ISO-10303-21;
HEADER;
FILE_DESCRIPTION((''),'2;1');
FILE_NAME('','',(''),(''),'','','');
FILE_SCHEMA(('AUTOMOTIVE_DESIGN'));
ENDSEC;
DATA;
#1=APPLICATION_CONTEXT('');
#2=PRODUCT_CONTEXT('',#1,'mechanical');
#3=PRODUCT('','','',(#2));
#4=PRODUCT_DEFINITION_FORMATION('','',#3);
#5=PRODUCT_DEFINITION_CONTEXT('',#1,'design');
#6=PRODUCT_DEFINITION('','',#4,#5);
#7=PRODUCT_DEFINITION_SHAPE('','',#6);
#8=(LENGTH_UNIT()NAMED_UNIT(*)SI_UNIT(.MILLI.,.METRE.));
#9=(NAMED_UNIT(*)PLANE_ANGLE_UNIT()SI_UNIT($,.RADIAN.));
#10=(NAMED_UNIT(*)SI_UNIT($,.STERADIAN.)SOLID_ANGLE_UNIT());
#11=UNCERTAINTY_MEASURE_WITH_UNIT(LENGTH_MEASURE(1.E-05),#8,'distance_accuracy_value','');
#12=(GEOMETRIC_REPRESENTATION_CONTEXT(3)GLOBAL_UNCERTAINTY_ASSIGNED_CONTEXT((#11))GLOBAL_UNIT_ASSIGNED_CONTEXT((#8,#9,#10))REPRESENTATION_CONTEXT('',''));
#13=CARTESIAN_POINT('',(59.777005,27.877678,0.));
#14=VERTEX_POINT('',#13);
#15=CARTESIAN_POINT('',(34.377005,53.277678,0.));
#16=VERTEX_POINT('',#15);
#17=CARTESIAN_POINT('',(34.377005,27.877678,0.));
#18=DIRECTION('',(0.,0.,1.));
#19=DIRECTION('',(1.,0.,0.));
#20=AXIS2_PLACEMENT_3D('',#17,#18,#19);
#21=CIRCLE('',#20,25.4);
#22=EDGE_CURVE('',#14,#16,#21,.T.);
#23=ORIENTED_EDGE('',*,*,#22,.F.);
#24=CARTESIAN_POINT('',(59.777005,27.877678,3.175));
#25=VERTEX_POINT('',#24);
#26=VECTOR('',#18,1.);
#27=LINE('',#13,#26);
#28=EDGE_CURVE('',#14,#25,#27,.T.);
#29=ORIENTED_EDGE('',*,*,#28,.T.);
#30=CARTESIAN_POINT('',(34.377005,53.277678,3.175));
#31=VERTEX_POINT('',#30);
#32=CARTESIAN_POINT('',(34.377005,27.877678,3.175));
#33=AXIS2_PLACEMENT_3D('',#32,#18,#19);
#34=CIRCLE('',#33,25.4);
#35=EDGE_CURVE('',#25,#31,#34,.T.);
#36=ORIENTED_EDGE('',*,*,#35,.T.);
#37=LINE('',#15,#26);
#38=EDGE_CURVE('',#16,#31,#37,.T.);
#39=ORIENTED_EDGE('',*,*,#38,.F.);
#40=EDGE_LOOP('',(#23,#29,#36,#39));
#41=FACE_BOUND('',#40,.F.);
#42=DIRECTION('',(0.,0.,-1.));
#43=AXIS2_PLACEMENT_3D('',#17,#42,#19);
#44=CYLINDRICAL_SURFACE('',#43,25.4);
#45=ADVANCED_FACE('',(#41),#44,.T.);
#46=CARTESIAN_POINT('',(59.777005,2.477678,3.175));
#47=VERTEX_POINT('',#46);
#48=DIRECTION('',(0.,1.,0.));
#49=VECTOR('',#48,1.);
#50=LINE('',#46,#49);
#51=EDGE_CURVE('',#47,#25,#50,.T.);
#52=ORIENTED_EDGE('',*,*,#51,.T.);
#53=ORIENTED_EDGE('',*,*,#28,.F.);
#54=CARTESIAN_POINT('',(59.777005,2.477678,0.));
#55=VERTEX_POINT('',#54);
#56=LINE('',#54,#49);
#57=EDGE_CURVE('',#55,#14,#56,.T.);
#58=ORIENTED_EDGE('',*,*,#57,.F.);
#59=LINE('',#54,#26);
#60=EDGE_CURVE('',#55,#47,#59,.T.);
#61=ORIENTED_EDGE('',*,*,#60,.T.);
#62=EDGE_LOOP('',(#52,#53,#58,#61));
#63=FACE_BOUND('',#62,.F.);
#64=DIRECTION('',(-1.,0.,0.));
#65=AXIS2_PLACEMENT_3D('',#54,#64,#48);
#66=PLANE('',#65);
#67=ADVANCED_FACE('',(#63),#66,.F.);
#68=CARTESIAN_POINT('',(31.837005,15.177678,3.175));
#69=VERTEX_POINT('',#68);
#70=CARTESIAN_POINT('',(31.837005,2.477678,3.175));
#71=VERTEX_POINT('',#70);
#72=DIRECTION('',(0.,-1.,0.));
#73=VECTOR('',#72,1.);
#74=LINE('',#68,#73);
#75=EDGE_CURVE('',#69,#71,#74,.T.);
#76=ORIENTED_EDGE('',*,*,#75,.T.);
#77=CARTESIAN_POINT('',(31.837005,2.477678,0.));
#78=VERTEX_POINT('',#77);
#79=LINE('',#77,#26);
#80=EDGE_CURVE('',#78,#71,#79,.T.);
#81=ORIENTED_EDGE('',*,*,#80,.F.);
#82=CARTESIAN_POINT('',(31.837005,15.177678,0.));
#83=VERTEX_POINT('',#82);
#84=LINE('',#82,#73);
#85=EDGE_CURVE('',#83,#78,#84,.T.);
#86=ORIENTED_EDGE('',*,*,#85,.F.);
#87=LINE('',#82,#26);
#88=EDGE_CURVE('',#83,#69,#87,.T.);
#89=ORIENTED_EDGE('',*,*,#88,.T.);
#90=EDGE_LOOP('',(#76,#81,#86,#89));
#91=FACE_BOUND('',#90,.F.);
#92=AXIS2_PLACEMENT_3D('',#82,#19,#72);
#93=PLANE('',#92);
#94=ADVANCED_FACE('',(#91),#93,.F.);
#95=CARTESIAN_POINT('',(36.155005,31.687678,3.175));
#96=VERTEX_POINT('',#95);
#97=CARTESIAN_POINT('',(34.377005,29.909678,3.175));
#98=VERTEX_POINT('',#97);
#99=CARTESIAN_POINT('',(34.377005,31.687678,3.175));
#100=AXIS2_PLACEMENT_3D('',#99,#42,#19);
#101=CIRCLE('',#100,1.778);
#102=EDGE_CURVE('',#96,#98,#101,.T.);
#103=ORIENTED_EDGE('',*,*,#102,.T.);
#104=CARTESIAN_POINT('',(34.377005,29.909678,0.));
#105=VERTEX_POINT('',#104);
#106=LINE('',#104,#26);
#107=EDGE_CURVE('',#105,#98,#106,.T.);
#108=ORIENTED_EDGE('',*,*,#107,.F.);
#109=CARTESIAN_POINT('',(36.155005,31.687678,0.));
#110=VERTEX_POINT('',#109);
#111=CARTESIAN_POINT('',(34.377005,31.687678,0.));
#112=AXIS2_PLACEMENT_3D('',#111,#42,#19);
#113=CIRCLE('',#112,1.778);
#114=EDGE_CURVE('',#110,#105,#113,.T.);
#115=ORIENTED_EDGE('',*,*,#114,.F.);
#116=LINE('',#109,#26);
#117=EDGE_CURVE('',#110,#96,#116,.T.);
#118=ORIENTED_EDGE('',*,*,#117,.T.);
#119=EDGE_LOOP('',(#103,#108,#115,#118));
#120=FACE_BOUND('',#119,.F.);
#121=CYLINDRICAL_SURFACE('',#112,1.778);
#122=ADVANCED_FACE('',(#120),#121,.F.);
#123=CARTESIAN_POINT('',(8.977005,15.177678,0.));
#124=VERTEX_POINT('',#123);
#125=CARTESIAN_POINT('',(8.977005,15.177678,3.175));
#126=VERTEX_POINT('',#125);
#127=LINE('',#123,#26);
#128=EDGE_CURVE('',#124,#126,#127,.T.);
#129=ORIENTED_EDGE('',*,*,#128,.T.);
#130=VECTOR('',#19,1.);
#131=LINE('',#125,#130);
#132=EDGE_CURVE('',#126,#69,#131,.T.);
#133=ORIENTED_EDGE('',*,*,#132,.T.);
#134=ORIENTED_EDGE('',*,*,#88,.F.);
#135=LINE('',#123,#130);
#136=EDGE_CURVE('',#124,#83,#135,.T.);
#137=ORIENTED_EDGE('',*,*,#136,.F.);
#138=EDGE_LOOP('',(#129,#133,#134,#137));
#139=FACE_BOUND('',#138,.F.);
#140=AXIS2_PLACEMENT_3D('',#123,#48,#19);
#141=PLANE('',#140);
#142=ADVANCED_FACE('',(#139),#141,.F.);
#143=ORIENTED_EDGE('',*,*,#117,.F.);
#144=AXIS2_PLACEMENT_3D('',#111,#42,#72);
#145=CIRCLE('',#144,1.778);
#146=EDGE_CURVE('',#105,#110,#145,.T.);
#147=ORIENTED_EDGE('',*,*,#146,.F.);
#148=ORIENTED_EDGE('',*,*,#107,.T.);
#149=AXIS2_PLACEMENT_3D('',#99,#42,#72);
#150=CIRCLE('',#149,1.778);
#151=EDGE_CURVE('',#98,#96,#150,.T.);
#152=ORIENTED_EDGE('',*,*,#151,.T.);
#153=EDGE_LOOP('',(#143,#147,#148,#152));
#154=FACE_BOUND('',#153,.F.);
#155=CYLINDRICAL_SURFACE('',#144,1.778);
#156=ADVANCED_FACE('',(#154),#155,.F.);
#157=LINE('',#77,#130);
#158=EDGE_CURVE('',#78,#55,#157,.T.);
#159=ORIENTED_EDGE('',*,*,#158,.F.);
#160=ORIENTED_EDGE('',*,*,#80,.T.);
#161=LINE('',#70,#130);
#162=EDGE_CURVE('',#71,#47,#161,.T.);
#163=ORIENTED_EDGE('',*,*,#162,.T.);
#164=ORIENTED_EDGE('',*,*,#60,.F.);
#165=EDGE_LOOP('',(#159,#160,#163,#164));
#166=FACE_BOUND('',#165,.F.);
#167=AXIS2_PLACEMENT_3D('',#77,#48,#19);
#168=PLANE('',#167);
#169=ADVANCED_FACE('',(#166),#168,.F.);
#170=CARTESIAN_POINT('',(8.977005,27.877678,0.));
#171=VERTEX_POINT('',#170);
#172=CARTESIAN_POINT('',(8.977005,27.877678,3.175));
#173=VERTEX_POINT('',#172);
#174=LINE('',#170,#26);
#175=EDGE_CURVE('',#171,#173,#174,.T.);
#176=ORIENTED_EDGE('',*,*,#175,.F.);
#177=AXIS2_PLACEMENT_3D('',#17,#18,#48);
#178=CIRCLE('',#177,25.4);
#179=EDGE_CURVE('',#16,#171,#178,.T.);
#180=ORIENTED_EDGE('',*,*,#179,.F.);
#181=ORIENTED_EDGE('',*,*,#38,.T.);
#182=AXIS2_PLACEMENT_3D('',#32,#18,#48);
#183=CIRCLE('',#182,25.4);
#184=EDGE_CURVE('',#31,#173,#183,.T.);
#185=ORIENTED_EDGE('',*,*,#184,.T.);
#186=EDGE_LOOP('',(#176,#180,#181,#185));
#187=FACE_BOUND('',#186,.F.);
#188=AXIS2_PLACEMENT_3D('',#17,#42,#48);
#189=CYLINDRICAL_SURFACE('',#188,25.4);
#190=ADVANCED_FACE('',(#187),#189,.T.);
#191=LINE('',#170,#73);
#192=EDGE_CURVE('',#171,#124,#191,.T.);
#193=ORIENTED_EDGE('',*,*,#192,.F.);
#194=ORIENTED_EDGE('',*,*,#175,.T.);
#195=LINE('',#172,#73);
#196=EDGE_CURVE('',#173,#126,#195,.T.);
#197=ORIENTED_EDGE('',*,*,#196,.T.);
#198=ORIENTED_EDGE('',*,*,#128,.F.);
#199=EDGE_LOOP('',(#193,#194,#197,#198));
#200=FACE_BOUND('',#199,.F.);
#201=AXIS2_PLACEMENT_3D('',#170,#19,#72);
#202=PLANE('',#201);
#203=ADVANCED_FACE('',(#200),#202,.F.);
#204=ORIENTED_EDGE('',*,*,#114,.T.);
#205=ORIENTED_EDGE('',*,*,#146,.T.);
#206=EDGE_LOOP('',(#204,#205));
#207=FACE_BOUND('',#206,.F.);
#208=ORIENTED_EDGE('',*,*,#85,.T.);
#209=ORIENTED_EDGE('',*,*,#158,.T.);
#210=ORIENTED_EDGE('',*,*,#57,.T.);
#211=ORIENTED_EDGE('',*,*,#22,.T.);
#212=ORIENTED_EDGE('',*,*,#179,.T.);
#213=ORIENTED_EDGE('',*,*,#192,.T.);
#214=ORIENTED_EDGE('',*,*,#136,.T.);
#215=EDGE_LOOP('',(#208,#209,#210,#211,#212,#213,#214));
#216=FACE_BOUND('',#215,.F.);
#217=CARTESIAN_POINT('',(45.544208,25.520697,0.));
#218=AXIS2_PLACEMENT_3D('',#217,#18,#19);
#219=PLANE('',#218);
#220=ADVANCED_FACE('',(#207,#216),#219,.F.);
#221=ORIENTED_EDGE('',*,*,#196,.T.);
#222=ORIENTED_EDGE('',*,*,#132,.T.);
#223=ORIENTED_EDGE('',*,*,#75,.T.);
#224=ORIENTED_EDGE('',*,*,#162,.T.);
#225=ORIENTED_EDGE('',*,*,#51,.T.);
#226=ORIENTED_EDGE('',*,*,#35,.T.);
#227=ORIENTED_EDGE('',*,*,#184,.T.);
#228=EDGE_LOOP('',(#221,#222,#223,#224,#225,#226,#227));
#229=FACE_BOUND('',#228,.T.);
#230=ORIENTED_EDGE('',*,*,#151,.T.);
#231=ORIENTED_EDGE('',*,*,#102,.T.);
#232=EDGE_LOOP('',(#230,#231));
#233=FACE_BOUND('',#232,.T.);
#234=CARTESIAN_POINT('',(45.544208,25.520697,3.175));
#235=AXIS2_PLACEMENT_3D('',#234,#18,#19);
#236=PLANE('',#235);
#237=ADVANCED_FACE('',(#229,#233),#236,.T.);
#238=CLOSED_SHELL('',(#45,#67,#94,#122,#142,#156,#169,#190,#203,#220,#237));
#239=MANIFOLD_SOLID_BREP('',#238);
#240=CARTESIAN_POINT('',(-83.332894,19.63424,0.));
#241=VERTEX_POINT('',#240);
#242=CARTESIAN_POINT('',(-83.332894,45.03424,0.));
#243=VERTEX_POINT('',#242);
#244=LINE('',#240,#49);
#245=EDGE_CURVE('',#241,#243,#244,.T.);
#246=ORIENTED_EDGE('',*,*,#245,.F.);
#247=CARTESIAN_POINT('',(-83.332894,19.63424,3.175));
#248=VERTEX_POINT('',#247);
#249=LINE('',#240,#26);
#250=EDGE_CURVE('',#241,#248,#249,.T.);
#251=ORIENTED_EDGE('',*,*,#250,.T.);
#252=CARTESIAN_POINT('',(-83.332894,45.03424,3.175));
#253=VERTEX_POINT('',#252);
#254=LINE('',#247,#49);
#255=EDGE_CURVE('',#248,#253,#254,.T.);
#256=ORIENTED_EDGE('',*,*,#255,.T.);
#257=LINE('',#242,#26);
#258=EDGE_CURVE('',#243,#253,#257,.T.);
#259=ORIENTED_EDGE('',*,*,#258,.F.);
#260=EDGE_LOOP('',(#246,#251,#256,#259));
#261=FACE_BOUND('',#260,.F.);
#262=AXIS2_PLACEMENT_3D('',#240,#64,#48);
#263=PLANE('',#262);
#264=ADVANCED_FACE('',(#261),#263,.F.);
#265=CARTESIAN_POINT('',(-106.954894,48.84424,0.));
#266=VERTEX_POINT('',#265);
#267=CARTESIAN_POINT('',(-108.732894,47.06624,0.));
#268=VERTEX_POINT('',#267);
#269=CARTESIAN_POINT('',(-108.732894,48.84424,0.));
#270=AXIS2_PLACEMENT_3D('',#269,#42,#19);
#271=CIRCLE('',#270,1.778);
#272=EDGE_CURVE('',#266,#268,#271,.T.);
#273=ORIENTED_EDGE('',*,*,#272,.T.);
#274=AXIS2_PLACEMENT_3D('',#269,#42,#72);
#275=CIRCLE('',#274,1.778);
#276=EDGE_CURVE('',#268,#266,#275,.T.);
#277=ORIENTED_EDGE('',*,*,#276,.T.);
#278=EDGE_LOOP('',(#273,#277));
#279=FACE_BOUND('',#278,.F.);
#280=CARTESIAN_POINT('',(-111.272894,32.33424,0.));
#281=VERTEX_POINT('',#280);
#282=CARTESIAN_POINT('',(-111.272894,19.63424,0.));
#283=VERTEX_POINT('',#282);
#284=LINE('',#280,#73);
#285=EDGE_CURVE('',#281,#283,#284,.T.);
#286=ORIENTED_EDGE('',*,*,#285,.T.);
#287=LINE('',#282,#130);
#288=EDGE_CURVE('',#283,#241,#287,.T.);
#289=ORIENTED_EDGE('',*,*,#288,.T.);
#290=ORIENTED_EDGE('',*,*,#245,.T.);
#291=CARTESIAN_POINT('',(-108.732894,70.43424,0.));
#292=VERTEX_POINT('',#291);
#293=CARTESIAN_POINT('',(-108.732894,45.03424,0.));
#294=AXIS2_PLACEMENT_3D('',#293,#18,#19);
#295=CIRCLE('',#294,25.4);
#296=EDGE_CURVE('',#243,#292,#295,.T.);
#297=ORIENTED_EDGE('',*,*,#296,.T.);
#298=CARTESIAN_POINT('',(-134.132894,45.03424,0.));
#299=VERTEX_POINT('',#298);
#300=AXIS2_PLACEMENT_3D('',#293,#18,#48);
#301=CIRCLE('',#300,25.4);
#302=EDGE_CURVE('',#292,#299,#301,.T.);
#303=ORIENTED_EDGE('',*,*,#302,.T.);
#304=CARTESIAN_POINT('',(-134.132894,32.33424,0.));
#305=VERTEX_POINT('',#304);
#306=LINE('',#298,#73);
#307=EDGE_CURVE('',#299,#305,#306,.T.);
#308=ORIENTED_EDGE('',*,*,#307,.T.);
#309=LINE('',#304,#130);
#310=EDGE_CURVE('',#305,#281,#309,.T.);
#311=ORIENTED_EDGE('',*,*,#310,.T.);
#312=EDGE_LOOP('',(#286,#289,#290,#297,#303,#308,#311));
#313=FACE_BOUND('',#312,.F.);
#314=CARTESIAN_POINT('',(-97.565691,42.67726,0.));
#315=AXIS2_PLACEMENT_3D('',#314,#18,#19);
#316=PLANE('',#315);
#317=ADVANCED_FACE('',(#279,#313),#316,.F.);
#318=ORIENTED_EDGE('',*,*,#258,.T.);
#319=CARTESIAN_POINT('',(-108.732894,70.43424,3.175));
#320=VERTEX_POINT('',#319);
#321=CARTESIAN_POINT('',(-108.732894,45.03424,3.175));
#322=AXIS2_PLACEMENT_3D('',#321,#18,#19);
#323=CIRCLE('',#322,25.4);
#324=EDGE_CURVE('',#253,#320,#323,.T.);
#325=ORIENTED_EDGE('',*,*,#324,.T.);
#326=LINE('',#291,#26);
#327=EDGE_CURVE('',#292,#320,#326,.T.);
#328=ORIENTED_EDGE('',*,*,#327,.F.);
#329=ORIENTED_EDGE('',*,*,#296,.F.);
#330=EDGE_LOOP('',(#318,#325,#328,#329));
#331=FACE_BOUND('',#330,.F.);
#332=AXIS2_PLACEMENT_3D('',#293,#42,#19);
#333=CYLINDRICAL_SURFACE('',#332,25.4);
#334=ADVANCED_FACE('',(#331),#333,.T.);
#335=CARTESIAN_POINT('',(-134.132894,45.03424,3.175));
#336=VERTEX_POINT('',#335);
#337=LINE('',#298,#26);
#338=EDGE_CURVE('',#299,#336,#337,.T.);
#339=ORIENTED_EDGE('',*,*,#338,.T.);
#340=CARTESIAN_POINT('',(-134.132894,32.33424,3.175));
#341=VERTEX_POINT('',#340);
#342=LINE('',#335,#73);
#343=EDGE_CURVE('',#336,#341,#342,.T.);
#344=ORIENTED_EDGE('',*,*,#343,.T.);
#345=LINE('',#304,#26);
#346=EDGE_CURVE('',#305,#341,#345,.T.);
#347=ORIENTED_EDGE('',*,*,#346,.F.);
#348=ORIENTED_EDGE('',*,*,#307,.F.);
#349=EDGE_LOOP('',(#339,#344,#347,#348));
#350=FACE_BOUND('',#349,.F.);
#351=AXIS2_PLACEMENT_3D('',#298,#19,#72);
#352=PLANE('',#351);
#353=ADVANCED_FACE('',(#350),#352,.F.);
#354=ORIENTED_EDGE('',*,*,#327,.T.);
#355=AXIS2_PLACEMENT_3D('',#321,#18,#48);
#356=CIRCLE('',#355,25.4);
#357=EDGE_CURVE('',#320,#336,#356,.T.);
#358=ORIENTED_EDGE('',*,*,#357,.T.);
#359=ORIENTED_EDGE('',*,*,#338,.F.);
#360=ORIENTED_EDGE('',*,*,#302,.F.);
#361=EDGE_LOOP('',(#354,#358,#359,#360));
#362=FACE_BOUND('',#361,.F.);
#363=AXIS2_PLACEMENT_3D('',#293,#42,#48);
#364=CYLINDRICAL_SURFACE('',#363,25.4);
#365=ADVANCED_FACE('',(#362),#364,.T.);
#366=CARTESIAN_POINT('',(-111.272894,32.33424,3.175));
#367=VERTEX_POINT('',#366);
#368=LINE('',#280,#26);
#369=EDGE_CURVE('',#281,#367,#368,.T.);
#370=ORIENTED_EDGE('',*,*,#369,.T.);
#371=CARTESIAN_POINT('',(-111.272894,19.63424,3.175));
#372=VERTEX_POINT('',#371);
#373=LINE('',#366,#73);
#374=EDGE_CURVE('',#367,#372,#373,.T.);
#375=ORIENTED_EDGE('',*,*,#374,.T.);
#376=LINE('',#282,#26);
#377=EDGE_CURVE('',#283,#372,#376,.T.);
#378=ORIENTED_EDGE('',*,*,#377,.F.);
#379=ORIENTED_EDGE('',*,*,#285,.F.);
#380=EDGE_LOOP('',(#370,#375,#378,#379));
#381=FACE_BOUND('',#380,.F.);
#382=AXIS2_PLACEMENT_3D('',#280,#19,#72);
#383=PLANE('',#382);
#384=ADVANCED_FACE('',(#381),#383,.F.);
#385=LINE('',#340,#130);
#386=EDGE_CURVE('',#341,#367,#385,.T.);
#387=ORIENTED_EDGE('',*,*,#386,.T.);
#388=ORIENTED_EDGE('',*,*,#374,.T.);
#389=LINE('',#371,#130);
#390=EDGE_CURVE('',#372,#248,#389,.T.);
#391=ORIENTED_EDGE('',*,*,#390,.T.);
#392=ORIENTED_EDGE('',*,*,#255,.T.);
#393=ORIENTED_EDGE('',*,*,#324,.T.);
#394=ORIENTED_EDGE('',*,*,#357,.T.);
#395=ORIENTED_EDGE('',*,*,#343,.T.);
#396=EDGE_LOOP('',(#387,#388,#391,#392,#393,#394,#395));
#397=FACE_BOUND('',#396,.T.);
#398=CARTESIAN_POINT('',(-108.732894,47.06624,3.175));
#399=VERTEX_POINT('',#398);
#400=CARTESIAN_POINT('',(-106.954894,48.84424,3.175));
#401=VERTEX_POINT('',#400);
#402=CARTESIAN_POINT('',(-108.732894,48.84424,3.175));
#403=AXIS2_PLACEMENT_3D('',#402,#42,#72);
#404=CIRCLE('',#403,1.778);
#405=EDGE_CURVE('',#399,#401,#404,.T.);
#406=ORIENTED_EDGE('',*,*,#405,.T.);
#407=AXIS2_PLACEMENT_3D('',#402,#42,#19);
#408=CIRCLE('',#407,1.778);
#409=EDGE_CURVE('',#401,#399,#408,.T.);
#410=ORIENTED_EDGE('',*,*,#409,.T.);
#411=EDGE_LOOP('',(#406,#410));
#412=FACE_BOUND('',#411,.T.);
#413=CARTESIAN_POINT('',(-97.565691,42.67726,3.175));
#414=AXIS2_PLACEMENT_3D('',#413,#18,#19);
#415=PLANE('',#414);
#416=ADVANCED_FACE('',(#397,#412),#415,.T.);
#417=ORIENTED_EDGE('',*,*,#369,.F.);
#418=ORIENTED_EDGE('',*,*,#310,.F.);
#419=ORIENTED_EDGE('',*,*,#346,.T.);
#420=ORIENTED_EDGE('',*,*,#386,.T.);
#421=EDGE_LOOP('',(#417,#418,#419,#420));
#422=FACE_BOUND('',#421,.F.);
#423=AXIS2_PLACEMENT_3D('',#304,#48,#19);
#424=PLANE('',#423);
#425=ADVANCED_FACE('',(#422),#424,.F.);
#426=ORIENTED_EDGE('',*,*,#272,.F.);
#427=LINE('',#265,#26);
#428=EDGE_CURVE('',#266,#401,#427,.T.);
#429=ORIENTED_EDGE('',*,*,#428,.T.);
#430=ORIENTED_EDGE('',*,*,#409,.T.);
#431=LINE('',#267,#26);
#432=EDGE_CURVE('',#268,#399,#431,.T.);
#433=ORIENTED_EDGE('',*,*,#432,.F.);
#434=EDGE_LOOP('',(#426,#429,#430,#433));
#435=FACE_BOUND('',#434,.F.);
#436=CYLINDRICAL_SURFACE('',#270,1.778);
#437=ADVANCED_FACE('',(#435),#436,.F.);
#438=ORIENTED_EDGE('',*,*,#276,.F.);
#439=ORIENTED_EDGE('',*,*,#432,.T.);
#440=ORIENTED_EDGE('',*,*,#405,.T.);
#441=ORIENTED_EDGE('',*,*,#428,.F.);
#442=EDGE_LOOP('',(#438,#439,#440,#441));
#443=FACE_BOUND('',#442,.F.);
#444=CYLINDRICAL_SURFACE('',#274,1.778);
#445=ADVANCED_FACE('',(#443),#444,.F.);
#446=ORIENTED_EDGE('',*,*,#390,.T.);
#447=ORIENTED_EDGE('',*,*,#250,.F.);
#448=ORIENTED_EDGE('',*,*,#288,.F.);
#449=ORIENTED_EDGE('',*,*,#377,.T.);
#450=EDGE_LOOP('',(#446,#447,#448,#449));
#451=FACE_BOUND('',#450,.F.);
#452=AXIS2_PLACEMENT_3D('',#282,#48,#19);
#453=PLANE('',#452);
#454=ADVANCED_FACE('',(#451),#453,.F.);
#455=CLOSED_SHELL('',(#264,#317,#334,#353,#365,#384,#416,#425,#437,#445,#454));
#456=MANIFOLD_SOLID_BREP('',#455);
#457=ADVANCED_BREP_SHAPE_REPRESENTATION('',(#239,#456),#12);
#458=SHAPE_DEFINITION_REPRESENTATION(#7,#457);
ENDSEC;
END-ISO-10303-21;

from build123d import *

# Parameters (mm, degrees)
F1_DEPTH = 3.175
F2_DEPTH = 3.175


with BuildPart() as f1:
    # F0 (on Top) → F1 (new body)
    with BuildSketch(Plane.XY):
        with BuildLine():
            Line((-108.732894063, 47.0662403889), (-108.732894063, 19.6342403889))
            Line((-108.732894063, 19.6342403889), (-83.332894063, 19.6342403889))
            Line((-83.332894063, 19.6342403889), (-83.332894063, 45.0342403889))
            ThreePointArc((-83.332894063, 45.0342403889), (-90.7723818209, 62.994752631), (-108.732894063, 70.4342403889))
            Line((-108.732894063, 70.4342403889), (-108.732894063, 50.6222403889))
            ThreePointArc((-108.732894063, 50.6222403889), (-107.475658206, 50.1014762458), (-106.954894063, 48.8442403889))
            ThreePointArc((-106.954894063, 48.8442403889), (-107.475658206, 47.5870045319), (-108.732894063, 47.0662403889))
        make_face()
        with BuildLine():
            Line((-111.272894063, 32.3342403889), (-111.272894063, 19.6342403889))
            Line((-111.272894063, 19.6342403889), (-108.732894063, 19.6342403889))
            Line((-108.732894063, 19.6342403889), (-108.732894063, 47.0662403889))
            ThreePointArc((-108.732894063, 47.0662403889), (-110.510894063, 48.8442403889), (-108.732894063, 50.6222403889))
            Line((-108.732894063, 50.6222403889), (-108.732894063, 70.4342403889))
            ThreePointArc((-108.732894063, 70.4342403889), (-126.6934063051, 62.994752631), (-134.132894063, 45.0342403889))
            Line((-134.132894063, 45.0342403889), (-134.132894063, 32.3342403889))
            Line((-134.132894063, 32.3342403889), (-111.272894063, 32.3342403889))
        make_face()
    extrude(amount=F1_DEPTH)


with BuildPart() as f2:
    # F0 (on Top) → F2 (new body)
    with BuildSketch(Plane.XY):
        with BuildLine():
            Line((34.3770046688, 29.9096776571), (34.3770046688, 2.4776776571))
            Line((34.3770046688, 2.4776776571), (59.7770046688, 2.4776776571))
            Line((59.7770046688, 2.4776776571), (59.7770046688, 27.8776776571))
            ThreePointArc((59.7770046688, 27.8776776571), (52.3375169109, 45.8381898992), (34.3770046688, 53.2776776571))
            Line((34.3770046688, 53.2776776571), (34.3770046688, 33.4656776571))
            ThreePointArc((34.3770046688, 33.4656776571), (35.6342405257, 32.9449135141), (36.1550046688, 31.6876776571))
            ThreePointArc((36.1550046688, 31.6876776571), (35.6342405257, 30.4304418002), (34.3770046688, 29.9096776571))
        make_face()
        with BuildLine():
            Line((31.8370046688, 15.1776776571), (31.8370046688, 2.4776776571))
            Line((31.8370046688, 2.4776776571), (34.3770046688, 2.4776776571))
            Line((34.3770046688, 2.4776776571), (34.3770046688, 29.9096776571))
            ThreePointArc((34.3770046688, 29.9096776571), (32.5990046688, 31.6876776571), (34.3770046688, 33.4656776571))
            Line((34.3770046688, 33.4656776571), (34.3770046688, 53.2776776571))
            ThreePointArc((34.3770046688, 53.2776776571), (16.4164924266, 45.8381898992), (8.9770046688, 27.8776776571))
            Line((8.9770046688, 27.8776776571), (8.9770046688, 15.1776776571))
            Line((8.9770046688, 15.1776776571), (31.8370046688, 15.1776776571))
        make_face()
    extrude(amount=F2_DEPTH)


solid = Compound([f1.part, f2.part])
